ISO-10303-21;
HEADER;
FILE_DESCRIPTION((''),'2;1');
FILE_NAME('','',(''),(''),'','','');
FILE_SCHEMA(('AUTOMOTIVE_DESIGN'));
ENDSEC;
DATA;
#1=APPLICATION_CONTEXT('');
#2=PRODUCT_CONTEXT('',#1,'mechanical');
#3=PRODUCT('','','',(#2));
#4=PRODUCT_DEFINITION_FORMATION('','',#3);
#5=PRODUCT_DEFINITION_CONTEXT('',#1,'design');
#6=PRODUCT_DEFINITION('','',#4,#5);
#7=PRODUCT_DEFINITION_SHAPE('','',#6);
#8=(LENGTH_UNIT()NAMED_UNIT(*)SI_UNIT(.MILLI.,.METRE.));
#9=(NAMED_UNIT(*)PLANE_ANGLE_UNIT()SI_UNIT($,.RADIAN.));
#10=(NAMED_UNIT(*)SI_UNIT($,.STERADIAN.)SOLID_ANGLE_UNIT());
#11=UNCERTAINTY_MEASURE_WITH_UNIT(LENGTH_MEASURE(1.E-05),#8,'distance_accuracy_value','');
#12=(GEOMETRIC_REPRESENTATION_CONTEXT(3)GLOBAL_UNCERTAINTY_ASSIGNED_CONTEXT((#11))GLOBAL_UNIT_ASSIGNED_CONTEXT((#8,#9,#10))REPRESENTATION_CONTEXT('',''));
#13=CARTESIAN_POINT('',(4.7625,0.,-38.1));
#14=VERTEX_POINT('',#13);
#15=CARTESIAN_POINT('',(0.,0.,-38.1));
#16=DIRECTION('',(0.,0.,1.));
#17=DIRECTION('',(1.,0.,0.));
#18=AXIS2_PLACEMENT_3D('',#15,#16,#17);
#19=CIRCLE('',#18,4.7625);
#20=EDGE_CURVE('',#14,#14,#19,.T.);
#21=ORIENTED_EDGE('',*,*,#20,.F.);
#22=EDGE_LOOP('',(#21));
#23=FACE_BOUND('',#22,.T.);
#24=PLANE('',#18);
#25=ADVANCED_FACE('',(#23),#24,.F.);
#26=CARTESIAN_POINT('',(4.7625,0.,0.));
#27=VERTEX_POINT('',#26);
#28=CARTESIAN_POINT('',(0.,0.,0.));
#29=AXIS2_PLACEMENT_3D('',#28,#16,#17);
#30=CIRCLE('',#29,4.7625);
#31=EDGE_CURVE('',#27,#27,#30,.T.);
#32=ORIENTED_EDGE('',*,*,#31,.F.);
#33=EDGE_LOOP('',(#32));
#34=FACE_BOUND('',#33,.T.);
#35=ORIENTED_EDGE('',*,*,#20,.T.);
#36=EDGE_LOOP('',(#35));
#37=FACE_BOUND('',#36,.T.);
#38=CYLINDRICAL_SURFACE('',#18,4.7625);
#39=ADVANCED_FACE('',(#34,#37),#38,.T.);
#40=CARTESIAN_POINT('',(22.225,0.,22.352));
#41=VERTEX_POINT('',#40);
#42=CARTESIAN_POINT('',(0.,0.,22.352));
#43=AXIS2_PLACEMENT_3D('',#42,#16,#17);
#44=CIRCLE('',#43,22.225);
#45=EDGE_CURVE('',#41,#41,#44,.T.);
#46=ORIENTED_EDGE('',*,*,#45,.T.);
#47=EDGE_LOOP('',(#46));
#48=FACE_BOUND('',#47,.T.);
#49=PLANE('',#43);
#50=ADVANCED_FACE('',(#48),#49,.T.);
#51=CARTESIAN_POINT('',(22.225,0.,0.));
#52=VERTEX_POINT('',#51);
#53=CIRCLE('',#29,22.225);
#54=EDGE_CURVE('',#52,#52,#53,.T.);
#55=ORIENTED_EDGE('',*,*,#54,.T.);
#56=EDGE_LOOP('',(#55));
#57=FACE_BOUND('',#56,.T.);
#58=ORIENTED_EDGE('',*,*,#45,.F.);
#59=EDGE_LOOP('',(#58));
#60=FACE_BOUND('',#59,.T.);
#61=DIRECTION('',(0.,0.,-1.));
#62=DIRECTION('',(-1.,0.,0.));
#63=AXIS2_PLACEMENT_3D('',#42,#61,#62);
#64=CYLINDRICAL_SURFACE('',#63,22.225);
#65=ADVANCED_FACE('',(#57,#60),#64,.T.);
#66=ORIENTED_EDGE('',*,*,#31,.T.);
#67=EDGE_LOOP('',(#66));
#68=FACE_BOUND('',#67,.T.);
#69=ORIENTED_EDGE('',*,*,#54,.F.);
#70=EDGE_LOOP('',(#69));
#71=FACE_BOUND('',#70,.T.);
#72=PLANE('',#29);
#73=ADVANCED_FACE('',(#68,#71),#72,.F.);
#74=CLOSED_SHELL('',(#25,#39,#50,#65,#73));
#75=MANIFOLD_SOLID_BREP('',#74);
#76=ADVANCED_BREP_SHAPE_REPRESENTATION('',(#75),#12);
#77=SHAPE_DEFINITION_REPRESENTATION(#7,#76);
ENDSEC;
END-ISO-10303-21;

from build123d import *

# Parameters (mm, degrees)
SKETCH1_R           = 22.225
BOSS_EXTRUDE1_DEPTH = 22.352
SKETCH2_R           = 4.7625
BOSS_EXTRUDE2_DEPTH = 38.1


with BuildPart() as part:
    # Sketch1 → Boss-Extrude1 (new body)
    with BuildSketch(Plane.XY):
        Circle(SKETCH1_R)
    extrude(amount=BOSS_EXTRUDE1_DEPTH)

    # Sketch2 → Boss-Extrude2 (add)
    with BuildSketch(Plane.XY):
        Circle(SKETCH2_R)
    extrude(amount=-BOSS_EXTRUDE2_DEPTH)


solid = part.part
